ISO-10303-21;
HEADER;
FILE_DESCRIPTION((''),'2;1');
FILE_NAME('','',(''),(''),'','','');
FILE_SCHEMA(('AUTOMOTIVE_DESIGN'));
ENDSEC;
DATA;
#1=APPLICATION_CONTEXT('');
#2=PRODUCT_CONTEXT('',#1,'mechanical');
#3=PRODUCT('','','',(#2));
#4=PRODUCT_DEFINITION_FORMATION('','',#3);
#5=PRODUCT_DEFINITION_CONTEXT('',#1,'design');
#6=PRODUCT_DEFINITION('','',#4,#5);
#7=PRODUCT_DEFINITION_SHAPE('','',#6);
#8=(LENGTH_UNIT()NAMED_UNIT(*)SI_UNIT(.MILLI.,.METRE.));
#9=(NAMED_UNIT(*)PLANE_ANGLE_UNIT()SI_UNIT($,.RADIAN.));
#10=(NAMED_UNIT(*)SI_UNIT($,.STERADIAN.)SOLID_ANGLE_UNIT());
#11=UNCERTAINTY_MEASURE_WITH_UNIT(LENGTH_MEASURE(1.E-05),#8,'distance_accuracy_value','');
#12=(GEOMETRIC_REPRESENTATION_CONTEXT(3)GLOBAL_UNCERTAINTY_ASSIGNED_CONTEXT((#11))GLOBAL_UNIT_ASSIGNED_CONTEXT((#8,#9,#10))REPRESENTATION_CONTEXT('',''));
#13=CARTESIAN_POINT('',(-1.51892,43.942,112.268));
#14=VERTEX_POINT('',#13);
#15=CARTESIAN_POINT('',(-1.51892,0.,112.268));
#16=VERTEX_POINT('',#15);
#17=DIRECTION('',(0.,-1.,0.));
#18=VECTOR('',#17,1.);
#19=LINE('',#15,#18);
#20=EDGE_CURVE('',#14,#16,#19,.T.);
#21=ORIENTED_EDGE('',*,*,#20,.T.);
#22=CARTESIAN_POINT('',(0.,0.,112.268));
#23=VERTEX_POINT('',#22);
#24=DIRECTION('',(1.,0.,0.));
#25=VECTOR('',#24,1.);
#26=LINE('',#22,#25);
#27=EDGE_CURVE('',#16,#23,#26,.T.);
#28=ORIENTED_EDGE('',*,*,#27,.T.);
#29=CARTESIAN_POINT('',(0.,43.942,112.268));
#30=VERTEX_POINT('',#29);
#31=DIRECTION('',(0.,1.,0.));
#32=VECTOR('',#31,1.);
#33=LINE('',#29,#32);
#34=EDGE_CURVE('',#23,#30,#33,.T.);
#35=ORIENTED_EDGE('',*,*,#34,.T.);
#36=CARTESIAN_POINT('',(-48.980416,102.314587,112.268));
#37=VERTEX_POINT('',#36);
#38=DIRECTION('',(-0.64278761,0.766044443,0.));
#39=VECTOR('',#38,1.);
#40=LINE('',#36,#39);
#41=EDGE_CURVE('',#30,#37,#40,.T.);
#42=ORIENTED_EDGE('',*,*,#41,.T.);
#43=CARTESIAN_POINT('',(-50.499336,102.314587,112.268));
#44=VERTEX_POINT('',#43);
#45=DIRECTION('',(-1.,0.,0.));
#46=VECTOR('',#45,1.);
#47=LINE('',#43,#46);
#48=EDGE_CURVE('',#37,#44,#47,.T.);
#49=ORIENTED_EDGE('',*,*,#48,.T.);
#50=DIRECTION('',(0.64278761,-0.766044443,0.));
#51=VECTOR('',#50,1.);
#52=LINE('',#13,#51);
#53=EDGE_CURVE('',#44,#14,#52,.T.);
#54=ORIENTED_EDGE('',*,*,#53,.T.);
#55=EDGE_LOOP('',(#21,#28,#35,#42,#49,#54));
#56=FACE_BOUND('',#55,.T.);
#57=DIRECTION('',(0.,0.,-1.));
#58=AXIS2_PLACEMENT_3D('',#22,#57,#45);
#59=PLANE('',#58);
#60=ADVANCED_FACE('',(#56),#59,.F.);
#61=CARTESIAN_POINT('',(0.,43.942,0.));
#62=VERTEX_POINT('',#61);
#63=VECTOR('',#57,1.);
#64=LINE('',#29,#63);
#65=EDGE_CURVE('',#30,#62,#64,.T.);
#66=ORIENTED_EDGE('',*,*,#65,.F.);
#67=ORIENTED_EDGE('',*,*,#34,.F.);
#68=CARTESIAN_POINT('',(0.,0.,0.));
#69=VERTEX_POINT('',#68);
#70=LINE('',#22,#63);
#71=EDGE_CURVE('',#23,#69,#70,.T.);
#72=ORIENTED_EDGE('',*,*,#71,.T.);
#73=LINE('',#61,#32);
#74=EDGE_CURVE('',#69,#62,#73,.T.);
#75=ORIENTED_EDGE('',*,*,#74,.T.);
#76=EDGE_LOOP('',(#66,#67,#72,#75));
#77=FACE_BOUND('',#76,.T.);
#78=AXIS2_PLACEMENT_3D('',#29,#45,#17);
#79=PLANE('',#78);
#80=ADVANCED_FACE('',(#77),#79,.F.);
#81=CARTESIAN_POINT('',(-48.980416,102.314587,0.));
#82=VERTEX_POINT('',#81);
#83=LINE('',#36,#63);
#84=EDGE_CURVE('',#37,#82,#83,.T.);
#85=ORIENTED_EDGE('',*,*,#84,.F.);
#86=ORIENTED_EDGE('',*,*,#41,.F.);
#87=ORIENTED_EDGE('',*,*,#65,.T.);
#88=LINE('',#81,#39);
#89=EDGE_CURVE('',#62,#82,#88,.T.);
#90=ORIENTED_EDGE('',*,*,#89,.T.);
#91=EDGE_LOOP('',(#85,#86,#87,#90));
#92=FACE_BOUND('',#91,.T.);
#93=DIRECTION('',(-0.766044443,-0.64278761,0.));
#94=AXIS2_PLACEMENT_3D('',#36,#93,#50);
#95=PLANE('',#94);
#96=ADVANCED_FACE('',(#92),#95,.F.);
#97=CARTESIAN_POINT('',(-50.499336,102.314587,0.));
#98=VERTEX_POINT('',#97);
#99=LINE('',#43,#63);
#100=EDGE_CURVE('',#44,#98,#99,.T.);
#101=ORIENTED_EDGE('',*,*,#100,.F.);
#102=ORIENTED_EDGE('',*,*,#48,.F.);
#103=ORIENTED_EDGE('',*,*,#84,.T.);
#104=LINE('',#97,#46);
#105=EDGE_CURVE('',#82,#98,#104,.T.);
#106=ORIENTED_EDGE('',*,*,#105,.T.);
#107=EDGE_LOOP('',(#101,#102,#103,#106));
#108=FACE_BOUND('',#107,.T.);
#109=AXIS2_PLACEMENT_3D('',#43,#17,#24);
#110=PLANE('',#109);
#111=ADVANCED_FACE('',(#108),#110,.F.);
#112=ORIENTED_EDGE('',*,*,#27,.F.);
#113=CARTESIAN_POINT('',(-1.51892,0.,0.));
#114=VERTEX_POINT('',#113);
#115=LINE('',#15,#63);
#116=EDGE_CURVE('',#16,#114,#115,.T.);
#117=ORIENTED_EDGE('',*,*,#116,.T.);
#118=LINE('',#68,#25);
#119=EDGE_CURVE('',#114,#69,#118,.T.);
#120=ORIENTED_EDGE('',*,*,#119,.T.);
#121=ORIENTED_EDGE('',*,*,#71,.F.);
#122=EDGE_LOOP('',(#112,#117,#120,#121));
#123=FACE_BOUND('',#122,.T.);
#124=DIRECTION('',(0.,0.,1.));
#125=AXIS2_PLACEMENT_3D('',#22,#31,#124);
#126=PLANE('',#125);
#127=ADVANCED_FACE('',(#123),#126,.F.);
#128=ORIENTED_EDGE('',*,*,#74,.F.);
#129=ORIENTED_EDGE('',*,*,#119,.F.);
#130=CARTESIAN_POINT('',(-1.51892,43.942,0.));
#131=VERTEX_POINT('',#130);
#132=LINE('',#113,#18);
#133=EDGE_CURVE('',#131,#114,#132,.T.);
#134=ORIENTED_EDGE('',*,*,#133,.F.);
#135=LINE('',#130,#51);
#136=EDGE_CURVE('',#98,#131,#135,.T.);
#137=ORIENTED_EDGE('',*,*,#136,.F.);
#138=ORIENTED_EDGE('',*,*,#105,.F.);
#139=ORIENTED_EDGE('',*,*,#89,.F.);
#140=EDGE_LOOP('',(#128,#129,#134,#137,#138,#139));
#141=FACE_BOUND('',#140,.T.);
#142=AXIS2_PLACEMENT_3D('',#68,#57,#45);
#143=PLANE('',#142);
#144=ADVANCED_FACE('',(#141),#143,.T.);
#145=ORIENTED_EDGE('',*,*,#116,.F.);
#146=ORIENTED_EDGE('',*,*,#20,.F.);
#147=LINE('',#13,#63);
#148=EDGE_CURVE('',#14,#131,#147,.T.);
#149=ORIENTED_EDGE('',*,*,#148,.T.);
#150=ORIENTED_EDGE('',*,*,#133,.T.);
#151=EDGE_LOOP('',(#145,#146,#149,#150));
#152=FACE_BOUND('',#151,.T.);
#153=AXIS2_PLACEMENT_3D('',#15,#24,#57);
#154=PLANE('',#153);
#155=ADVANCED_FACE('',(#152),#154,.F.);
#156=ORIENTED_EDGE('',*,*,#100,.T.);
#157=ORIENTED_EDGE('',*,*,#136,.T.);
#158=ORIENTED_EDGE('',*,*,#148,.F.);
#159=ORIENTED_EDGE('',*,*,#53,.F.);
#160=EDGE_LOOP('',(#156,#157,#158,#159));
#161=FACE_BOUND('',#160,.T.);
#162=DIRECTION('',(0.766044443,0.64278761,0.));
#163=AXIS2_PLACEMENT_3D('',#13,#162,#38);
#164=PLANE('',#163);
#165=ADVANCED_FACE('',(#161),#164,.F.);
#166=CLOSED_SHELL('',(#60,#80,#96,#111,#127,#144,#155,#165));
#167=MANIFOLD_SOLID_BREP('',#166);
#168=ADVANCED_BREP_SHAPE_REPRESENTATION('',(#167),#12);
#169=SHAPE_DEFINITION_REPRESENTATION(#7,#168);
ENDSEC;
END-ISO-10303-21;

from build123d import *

# Parameters (mm, degrees)
BOSS_EXTRUDE1_DEPTH = 112.268


with BuildPart() as part:
    # Sketch1 → Boss-Extrude1 (new body)
    with BuildSketch(Plane.XY):
        Polygon((0, 0), (-1.51892, 0), (-1.51892, 43.942), (-50.499335858, 102.314586566), (-48.980415858, 102.314586566), (0, 43.942), align=None)
    extrude(amount=BOSS_EXTRUDE1_DEPTH)


solid = part.part
